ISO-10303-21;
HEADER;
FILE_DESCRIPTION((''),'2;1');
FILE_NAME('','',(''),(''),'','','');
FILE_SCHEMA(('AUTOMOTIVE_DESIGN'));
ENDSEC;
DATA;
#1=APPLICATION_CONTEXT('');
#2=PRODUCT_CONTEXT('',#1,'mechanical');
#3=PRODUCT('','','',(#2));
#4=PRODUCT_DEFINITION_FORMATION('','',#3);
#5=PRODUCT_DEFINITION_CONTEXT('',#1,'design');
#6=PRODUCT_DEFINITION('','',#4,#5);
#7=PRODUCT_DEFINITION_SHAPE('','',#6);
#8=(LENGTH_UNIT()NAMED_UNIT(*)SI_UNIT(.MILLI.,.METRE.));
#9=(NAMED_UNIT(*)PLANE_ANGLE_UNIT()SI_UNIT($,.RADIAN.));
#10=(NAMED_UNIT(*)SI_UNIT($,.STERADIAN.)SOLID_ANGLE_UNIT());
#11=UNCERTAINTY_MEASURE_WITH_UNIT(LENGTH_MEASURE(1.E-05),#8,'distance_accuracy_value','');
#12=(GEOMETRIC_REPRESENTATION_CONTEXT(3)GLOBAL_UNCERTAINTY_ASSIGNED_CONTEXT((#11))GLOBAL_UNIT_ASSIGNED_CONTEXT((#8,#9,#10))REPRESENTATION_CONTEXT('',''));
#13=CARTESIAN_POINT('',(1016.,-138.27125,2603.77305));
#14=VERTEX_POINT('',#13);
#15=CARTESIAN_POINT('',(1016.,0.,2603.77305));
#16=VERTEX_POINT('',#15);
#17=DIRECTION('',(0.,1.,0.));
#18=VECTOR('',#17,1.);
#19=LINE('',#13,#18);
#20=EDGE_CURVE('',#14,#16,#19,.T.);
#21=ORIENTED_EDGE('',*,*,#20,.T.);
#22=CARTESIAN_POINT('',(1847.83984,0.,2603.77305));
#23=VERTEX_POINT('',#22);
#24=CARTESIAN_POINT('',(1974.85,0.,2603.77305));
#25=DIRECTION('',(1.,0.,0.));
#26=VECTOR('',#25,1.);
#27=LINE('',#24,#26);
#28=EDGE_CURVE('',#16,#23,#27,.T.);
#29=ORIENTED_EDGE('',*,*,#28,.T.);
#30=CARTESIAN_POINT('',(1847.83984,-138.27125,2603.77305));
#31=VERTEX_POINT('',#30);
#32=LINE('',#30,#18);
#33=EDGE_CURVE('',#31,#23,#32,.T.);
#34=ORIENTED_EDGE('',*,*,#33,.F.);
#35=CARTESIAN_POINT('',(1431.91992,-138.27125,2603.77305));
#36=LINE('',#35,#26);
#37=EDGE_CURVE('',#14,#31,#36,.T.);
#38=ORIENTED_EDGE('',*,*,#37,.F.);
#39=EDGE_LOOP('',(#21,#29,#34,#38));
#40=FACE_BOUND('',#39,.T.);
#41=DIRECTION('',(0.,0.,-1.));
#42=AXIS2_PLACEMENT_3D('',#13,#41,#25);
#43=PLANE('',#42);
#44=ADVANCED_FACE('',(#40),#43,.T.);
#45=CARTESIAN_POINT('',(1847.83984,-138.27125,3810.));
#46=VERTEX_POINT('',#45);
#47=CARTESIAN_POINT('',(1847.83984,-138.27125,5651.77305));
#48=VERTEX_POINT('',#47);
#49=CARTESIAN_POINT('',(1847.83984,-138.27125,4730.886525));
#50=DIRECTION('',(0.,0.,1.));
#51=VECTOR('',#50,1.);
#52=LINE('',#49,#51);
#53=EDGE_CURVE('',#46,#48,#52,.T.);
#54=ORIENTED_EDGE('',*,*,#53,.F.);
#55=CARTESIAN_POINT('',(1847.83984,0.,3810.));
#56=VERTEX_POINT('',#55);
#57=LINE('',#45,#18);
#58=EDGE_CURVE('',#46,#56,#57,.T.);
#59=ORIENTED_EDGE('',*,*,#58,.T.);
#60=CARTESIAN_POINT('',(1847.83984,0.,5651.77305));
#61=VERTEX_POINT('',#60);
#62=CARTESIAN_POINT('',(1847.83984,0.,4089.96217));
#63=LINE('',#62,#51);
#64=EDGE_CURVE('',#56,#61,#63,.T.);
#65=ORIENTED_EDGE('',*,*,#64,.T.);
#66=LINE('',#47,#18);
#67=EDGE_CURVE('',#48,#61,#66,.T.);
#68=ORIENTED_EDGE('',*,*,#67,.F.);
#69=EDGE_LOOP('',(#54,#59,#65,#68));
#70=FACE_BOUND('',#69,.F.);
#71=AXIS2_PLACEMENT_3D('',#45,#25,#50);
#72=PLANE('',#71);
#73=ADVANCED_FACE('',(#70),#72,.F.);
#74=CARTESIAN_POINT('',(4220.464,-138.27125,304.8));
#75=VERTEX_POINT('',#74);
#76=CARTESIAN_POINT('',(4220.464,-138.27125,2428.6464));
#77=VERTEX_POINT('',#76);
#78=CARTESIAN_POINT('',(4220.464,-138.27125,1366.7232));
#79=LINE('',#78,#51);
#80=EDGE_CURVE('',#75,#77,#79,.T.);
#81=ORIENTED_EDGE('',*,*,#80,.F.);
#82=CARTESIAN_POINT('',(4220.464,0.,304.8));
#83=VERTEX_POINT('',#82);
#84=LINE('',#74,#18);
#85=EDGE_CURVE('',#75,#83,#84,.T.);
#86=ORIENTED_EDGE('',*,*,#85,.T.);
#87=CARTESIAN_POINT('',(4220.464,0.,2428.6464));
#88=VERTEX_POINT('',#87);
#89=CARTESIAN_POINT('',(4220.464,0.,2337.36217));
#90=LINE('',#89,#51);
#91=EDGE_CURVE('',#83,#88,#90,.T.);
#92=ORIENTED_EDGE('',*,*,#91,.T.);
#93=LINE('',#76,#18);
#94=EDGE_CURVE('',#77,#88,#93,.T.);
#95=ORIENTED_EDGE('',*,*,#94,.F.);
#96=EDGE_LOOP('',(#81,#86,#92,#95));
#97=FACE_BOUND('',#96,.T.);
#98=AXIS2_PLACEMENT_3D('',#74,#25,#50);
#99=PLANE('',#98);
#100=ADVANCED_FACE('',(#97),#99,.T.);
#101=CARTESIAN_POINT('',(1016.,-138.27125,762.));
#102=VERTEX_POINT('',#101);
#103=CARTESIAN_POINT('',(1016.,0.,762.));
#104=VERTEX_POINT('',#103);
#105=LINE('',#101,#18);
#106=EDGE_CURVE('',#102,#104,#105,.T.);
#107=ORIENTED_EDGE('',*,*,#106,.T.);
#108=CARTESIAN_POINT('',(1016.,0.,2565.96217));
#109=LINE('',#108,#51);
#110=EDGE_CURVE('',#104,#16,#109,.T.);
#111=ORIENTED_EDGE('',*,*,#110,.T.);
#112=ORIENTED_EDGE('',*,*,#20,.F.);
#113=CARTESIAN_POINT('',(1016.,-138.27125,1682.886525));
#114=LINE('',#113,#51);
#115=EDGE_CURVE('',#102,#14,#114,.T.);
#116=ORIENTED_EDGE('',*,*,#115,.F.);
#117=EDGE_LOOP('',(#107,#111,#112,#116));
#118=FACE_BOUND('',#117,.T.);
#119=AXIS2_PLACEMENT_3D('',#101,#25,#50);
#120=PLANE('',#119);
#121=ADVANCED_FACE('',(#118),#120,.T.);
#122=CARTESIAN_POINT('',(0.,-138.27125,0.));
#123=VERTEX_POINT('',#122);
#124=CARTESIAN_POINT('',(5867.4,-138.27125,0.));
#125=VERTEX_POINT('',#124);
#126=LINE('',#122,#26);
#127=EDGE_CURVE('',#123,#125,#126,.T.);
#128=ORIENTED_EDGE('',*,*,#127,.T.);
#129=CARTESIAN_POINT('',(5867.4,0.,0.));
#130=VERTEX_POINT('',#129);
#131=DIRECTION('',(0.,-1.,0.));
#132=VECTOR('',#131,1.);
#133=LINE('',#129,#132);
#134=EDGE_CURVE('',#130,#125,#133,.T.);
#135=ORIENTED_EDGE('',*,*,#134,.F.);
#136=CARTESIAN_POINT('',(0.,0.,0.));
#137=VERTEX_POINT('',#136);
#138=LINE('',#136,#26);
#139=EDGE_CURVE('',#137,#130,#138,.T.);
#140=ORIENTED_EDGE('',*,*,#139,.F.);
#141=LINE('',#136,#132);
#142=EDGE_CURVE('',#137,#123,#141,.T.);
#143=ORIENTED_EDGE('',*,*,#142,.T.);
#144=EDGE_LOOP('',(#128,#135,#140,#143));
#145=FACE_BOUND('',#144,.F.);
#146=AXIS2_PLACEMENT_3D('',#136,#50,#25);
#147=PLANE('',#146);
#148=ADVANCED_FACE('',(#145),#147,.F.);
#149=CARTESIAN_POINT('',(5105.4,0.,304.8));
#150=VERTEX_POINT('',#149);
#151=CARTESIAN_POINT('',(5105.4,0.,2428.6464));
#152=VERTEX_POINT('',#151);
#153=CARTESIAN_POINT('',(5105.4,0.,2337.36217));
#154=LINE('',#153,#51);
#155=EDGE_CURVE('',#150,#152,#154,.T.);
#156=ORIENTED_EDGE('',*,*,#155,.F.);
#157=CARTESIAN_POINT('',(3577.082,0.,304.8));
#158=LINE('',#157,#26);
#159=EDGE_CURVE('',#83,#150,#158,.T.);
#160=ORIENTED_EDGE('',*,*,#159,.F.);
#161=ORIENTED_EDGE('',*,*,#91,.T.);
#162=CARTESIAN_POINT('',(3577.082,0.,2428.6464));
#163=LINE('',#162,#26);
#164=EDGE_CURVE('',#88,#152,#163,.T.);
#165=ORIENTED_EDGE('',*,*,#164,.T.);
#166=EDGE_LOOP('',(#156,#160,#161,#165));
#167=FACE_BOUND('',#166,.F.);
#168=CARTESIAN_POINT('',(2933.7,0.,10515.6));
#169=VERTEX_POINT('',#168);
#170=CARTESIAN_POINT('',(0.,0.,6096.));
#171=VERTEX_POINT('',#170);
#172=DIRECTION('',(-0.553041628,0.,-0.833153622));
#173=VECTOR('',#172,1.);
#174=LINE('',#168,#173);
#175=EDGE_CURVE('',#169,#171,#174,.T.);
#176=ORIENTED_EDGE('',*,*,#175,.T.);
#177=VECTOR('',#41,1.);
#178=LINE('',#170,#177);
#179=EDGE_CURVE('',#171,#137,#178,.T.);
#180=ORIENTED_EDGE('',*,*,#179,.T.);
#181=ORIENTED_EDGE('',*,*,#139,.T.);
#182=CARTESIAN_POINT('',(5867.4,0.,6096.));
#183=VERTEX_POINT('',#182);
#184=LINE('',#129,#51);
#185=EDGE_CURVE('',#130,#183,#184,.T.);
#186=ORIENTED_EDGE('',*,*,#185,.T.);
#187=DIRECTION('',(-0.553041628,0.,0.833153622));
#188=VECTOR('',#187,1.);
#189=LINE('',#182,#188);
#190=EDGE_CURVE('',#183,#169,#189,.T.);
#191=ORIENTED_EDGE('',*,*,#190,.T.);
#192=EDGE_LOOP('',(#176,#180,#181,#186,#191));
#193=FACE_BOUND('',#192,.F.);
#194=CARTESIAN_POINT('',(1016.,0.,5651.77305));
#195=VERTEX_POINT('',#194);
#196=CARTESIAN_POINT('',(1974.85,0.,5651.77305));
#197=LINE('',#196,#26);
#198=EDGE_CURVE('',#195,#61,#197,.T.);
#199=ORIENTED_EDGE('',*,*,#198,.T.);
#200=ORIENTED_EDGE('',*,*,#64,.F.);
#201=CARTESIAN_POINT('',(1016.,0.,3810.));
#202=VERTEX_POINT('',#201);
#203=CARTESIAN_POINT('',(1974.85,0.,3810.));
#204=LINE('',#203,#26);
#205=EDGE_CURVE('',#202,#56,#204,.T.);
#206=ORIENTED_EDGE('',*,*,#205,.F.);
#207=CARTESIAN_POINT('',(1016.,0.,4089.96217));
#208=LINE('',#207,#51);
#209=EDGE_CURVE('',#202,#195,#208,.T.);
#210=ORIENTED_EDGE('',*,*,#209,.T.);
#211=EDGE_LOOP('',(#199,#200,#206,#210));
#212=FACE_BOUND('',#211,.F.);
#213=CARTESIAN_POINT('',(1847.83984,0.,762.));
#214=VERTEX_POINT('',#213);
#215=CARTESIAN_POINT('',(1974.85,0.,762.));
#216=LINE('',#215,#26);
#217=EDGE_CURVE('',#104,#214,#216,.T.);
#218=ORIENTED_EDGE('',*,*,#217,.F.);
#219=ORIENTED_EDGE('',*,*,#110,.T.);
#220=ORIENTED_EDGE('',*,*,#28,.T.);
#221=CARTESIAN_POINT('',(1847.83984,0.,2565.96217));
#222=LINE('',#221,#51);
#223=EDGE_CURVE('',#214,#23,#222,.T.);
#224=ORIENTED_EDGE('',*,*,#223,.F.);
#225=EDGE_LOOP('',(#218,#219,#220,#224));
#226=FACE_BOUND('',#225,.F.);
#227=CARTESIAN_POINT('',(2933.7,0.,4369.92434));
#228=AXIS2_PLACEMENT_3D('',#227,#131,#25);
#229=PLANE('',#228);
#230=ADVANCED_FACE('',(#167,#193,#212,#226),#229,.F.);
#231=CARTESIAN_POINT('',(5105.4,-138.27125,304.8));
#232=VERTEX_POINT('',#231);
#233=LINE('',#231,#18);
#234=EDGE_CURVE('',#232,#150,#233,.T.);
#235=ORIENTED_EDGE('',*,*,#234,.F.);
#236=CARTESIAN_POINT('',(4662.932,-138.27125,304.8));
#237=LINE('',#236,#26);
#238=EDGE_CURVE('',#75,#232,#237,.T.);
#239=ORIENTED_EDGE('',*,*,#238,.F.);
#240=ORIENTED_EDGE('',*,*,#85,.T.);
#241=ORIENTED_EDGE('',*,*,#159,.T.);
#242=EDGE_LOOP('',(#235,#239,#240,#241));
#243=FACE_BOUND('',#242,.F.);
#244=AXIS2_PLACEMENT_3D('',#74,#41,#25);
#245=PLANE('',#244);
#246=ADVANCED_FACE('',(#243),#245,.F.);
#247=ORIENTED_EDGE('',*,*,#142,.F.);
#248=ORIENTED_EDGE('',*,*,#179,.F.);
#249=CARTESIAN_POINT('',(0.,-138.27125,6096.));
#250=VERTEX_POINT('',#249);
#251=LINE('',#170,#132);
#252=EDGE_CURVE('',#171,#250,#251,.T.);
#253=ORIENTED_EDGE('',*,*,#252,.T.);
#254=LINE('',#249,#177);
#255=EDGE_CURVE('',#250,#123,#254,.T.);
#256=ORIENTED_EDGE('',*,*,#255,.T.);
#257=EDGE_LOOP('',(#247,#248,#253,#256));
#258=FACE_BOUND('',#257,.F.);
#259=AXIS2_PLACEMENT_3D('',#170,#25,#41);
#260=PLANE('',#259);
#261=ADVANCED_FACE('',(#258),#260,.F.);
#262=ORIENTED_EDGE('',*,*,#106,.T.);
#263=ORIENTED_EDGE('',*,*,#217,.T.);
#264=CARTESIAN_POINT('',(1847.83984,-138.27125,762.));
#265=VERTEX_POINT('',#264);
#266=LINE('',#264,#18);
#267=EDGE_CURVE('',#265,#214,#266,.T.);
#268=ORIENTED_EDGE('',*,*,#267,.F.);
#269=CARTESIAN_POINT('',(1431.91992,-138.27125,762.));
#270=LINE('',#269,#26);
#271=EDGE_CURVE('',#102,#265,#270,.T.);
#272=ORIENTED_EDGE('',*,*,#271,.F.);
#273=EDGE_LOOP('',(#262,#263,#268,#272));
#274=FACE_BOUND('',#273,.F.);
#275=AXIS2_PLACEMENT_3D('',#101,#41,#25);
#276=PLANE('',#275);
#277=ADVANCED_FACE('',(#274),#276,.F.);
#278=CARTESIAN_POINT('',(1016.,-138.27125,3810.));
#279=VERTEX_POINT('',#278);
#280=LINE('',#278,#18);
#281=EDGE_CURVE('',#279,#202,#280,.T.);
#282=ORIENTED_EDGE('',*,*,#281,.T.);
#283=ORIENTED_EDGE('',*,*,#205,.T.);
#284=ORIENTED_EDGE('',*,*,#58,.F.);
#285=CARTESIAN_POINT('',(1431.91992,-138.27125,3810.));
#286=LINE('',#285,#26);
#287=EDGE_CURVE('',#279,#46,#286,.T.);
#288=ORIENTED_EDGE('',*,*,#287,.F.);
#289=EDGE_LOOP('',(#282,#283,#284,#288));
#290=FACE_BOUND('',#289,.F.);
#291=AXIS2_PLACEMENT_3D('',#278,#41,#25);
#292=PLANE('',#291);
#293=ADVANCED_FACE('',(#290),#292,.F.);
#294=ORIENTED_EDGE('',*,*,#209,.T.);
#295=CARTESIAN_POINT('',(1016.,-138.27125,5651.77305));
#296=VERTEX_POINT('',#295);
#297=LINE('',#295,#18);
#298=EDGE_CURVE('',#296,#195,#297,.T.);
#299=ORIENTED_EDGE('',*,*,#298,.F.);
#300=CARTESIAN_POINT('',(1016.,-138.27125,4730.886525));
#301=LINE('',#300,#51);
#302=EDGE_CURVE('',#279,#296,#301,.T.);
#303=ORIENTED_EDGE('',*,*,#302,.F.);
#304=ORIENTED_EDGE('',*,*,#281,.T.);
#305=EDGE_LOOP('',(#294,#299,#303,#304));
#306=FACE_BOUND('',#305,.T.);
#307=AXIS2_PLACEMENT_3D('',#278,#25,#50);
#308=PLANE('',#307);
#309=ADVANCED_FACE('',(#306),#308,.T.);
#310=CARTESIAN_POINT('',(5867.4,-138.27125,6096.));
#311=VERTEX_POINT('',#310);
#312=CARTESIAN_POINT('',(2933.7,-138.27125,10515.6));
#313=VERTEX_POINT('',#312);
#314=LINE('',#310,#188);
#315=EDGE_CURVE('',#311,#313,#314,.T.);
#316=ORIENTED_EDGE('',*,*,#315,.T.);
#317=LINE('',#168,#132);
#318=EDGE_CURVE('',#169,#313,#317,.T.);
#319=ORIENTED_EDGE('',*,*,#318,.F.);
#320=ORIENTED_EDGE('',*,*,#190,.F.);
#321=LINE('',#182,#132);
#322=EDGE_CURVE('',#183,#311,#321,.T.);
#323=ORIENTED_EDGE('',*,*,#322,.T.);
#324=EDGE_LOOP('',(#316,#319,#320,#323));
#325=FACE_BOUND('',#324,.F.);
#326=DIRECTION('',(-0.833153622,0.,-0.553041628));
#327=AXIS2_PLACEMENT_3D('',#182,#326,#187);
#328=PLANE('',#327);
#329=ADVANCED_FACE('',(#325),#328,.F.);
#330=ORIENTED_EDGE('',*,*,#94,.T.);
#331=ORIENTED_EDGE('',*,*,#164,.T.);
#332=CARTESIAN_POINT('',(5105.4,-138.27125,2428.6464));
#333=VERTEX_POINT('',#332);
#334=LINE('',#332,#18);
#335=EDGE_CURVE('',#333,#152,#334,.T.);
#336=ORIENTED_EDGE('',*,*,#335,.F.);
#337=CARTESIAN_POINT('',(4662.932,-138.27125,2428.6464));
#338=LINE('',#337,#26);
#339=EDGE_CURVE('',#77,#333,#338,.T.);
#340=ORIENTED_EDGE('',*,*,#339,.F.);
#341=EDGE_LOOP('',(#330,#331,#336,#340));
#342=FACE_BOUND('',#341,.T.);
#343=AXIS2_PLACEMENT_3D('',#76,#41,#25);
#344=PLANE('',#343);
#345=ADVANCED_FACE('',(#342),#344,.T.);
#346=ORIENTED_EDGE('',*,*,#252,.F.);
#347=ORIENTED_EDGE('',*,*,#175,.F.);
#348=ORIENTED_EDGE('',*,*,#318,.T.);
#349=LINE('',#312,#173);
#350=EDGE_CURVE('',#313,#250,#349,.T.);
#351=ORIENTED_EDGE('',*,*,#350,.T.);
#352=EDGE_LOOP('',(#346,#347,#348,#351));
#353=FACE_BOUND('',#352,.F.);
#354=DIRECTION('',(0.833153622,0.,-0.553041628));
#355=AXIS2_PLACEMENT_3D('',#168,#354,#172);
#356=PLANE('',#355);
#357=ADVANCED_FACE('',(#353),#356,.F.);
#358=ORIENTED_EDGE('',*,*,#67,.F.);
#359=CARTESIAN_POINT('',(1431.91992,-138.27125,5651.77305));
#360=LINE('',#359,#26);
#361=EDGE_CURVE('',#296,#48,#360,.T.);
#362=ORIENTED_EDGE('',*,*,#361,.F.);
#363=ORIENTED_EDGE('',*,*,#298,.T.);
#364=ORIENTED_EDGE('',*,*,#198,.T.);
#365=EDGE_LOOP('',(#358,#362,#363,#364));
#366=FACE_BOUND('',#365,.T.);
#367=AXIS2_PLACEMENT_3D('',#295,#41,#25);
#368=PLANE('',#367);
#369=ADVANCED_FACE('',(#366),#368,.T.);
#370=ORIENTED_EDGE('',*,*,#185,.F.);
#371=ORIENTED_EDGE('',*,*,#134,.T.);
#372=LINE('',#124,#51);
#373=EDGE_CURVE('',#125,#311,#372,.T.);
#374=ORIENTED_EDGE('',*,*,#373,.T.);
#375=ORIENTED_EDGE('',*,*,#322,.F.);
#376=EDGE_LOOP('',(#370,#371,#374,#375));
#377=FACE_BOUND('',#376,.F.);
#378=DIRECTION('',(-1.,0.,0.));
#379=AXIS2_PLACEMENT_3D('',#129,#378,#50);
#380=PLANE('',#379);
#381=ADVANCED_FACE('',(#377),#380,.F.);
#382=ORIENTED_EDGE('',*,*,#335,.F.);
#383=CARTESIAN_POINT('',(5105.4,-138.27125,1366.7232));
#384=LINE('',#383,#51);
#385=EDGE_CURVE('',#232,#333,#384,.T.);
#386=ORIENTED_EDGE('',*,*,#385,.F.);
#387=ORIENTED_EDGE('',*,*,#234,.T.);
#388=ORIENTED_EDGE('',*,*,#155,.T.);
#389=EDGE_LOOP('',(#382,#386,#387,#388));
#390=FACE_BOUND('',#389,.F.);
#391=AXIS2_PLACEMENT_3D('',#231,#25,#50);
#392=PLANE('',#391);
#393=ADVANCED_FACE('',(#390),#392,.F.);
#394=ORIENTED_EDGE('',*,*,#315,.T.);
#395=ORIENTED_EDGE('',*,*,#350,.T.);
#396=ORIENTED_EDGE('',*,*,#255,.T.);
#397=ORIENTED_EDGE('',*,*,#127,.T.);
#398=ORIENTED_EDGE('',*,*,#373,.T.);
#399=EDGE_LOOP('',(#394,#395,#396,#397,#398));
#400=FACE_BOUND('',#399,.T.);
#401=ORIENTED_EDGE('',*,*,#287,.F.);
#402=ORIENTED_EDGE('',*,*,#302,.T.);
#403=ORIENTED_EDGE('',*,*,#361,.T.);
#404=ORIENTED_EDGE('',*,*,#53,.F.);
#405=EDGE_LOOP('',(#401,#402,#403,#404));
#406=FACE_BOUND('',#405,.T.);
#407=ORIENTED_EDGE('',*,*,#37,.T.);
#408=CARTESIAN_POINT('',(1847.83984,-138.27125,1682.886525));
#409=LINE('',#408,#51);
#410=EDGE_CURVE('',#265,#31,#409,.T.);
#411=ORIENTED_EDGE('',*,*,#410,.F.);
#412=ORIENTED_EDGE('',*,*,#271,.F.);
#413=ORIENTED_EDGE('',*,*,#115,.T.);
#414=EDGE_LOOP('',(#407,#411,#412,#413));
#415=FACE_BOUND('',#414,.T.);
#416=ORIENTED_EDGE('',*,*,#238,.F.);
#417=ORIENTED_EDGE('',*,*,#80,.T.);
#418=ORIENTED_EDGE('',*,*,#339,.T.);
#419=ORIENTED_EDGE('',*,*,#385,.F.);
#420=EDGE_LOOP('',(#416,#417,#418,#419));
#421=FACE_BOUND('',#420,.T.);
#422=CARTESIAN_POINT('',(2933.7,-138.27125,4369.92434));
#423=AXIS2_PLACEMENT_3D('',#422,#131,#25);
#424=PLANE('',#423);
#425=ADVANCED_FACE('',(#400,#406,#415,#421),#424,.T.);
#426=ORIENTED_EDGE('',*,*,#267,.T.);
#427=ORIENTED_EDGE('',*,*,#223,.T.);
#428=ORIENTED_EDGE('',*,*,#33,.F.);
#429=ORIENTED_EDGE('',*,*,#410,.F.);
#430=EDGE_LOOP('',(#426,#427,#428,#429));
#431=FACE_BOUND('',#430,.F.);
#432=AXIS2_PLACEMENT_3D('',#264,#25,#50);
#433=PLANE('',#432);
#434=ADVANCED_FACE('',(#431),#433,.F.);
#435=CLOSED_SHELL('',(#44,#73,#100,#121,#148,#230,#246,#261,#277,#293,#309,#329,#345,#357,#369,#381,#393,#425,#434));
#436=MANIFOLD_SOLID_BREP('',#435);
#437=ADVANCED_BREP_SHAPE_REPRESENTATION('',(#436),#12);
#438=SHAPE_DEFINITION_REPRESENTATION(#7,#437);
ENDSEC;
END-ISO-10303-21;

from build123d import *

# Parameters (mm, degrees)
F1_DEPTH = 138.27125
F2_W     = 831.83984
F2_H     = 1841.77305
F2_W_2   = 884.936
F2_H_2   = 2123.8464
F3_DEPTH = 138.27225


with BuildPart() as f1:
    # F0 (on Front) → F1 (new body)
    with BuildSketch(Plane.XZ):
        Polygon((0, 6096), (0, 0), (5867.4, 0), (5867.4, 6096), (2933.7, 10515.6), align=None)
    extrude(amount=F1_DEPTH)

    # F2 (on face) → F3 (cut, through all)
    with BuildSketch(Plane.XZ.offset(138.27125)):
        with Locations((1431.91992, 1682.886525)):
            Rectangle(F2_W, F2_H)
        with Locations((4662.932, 1366.7232)):
            Rectangle(F2_W_2, F2_H_2)
        with Locations((1431.91992, 4730.886525)):
            Rectangle(F2_W, F2_H)
    extrude(amount=-F3_DEPTH, mode=Mode.SUBTRACT)


solid = f1.part
